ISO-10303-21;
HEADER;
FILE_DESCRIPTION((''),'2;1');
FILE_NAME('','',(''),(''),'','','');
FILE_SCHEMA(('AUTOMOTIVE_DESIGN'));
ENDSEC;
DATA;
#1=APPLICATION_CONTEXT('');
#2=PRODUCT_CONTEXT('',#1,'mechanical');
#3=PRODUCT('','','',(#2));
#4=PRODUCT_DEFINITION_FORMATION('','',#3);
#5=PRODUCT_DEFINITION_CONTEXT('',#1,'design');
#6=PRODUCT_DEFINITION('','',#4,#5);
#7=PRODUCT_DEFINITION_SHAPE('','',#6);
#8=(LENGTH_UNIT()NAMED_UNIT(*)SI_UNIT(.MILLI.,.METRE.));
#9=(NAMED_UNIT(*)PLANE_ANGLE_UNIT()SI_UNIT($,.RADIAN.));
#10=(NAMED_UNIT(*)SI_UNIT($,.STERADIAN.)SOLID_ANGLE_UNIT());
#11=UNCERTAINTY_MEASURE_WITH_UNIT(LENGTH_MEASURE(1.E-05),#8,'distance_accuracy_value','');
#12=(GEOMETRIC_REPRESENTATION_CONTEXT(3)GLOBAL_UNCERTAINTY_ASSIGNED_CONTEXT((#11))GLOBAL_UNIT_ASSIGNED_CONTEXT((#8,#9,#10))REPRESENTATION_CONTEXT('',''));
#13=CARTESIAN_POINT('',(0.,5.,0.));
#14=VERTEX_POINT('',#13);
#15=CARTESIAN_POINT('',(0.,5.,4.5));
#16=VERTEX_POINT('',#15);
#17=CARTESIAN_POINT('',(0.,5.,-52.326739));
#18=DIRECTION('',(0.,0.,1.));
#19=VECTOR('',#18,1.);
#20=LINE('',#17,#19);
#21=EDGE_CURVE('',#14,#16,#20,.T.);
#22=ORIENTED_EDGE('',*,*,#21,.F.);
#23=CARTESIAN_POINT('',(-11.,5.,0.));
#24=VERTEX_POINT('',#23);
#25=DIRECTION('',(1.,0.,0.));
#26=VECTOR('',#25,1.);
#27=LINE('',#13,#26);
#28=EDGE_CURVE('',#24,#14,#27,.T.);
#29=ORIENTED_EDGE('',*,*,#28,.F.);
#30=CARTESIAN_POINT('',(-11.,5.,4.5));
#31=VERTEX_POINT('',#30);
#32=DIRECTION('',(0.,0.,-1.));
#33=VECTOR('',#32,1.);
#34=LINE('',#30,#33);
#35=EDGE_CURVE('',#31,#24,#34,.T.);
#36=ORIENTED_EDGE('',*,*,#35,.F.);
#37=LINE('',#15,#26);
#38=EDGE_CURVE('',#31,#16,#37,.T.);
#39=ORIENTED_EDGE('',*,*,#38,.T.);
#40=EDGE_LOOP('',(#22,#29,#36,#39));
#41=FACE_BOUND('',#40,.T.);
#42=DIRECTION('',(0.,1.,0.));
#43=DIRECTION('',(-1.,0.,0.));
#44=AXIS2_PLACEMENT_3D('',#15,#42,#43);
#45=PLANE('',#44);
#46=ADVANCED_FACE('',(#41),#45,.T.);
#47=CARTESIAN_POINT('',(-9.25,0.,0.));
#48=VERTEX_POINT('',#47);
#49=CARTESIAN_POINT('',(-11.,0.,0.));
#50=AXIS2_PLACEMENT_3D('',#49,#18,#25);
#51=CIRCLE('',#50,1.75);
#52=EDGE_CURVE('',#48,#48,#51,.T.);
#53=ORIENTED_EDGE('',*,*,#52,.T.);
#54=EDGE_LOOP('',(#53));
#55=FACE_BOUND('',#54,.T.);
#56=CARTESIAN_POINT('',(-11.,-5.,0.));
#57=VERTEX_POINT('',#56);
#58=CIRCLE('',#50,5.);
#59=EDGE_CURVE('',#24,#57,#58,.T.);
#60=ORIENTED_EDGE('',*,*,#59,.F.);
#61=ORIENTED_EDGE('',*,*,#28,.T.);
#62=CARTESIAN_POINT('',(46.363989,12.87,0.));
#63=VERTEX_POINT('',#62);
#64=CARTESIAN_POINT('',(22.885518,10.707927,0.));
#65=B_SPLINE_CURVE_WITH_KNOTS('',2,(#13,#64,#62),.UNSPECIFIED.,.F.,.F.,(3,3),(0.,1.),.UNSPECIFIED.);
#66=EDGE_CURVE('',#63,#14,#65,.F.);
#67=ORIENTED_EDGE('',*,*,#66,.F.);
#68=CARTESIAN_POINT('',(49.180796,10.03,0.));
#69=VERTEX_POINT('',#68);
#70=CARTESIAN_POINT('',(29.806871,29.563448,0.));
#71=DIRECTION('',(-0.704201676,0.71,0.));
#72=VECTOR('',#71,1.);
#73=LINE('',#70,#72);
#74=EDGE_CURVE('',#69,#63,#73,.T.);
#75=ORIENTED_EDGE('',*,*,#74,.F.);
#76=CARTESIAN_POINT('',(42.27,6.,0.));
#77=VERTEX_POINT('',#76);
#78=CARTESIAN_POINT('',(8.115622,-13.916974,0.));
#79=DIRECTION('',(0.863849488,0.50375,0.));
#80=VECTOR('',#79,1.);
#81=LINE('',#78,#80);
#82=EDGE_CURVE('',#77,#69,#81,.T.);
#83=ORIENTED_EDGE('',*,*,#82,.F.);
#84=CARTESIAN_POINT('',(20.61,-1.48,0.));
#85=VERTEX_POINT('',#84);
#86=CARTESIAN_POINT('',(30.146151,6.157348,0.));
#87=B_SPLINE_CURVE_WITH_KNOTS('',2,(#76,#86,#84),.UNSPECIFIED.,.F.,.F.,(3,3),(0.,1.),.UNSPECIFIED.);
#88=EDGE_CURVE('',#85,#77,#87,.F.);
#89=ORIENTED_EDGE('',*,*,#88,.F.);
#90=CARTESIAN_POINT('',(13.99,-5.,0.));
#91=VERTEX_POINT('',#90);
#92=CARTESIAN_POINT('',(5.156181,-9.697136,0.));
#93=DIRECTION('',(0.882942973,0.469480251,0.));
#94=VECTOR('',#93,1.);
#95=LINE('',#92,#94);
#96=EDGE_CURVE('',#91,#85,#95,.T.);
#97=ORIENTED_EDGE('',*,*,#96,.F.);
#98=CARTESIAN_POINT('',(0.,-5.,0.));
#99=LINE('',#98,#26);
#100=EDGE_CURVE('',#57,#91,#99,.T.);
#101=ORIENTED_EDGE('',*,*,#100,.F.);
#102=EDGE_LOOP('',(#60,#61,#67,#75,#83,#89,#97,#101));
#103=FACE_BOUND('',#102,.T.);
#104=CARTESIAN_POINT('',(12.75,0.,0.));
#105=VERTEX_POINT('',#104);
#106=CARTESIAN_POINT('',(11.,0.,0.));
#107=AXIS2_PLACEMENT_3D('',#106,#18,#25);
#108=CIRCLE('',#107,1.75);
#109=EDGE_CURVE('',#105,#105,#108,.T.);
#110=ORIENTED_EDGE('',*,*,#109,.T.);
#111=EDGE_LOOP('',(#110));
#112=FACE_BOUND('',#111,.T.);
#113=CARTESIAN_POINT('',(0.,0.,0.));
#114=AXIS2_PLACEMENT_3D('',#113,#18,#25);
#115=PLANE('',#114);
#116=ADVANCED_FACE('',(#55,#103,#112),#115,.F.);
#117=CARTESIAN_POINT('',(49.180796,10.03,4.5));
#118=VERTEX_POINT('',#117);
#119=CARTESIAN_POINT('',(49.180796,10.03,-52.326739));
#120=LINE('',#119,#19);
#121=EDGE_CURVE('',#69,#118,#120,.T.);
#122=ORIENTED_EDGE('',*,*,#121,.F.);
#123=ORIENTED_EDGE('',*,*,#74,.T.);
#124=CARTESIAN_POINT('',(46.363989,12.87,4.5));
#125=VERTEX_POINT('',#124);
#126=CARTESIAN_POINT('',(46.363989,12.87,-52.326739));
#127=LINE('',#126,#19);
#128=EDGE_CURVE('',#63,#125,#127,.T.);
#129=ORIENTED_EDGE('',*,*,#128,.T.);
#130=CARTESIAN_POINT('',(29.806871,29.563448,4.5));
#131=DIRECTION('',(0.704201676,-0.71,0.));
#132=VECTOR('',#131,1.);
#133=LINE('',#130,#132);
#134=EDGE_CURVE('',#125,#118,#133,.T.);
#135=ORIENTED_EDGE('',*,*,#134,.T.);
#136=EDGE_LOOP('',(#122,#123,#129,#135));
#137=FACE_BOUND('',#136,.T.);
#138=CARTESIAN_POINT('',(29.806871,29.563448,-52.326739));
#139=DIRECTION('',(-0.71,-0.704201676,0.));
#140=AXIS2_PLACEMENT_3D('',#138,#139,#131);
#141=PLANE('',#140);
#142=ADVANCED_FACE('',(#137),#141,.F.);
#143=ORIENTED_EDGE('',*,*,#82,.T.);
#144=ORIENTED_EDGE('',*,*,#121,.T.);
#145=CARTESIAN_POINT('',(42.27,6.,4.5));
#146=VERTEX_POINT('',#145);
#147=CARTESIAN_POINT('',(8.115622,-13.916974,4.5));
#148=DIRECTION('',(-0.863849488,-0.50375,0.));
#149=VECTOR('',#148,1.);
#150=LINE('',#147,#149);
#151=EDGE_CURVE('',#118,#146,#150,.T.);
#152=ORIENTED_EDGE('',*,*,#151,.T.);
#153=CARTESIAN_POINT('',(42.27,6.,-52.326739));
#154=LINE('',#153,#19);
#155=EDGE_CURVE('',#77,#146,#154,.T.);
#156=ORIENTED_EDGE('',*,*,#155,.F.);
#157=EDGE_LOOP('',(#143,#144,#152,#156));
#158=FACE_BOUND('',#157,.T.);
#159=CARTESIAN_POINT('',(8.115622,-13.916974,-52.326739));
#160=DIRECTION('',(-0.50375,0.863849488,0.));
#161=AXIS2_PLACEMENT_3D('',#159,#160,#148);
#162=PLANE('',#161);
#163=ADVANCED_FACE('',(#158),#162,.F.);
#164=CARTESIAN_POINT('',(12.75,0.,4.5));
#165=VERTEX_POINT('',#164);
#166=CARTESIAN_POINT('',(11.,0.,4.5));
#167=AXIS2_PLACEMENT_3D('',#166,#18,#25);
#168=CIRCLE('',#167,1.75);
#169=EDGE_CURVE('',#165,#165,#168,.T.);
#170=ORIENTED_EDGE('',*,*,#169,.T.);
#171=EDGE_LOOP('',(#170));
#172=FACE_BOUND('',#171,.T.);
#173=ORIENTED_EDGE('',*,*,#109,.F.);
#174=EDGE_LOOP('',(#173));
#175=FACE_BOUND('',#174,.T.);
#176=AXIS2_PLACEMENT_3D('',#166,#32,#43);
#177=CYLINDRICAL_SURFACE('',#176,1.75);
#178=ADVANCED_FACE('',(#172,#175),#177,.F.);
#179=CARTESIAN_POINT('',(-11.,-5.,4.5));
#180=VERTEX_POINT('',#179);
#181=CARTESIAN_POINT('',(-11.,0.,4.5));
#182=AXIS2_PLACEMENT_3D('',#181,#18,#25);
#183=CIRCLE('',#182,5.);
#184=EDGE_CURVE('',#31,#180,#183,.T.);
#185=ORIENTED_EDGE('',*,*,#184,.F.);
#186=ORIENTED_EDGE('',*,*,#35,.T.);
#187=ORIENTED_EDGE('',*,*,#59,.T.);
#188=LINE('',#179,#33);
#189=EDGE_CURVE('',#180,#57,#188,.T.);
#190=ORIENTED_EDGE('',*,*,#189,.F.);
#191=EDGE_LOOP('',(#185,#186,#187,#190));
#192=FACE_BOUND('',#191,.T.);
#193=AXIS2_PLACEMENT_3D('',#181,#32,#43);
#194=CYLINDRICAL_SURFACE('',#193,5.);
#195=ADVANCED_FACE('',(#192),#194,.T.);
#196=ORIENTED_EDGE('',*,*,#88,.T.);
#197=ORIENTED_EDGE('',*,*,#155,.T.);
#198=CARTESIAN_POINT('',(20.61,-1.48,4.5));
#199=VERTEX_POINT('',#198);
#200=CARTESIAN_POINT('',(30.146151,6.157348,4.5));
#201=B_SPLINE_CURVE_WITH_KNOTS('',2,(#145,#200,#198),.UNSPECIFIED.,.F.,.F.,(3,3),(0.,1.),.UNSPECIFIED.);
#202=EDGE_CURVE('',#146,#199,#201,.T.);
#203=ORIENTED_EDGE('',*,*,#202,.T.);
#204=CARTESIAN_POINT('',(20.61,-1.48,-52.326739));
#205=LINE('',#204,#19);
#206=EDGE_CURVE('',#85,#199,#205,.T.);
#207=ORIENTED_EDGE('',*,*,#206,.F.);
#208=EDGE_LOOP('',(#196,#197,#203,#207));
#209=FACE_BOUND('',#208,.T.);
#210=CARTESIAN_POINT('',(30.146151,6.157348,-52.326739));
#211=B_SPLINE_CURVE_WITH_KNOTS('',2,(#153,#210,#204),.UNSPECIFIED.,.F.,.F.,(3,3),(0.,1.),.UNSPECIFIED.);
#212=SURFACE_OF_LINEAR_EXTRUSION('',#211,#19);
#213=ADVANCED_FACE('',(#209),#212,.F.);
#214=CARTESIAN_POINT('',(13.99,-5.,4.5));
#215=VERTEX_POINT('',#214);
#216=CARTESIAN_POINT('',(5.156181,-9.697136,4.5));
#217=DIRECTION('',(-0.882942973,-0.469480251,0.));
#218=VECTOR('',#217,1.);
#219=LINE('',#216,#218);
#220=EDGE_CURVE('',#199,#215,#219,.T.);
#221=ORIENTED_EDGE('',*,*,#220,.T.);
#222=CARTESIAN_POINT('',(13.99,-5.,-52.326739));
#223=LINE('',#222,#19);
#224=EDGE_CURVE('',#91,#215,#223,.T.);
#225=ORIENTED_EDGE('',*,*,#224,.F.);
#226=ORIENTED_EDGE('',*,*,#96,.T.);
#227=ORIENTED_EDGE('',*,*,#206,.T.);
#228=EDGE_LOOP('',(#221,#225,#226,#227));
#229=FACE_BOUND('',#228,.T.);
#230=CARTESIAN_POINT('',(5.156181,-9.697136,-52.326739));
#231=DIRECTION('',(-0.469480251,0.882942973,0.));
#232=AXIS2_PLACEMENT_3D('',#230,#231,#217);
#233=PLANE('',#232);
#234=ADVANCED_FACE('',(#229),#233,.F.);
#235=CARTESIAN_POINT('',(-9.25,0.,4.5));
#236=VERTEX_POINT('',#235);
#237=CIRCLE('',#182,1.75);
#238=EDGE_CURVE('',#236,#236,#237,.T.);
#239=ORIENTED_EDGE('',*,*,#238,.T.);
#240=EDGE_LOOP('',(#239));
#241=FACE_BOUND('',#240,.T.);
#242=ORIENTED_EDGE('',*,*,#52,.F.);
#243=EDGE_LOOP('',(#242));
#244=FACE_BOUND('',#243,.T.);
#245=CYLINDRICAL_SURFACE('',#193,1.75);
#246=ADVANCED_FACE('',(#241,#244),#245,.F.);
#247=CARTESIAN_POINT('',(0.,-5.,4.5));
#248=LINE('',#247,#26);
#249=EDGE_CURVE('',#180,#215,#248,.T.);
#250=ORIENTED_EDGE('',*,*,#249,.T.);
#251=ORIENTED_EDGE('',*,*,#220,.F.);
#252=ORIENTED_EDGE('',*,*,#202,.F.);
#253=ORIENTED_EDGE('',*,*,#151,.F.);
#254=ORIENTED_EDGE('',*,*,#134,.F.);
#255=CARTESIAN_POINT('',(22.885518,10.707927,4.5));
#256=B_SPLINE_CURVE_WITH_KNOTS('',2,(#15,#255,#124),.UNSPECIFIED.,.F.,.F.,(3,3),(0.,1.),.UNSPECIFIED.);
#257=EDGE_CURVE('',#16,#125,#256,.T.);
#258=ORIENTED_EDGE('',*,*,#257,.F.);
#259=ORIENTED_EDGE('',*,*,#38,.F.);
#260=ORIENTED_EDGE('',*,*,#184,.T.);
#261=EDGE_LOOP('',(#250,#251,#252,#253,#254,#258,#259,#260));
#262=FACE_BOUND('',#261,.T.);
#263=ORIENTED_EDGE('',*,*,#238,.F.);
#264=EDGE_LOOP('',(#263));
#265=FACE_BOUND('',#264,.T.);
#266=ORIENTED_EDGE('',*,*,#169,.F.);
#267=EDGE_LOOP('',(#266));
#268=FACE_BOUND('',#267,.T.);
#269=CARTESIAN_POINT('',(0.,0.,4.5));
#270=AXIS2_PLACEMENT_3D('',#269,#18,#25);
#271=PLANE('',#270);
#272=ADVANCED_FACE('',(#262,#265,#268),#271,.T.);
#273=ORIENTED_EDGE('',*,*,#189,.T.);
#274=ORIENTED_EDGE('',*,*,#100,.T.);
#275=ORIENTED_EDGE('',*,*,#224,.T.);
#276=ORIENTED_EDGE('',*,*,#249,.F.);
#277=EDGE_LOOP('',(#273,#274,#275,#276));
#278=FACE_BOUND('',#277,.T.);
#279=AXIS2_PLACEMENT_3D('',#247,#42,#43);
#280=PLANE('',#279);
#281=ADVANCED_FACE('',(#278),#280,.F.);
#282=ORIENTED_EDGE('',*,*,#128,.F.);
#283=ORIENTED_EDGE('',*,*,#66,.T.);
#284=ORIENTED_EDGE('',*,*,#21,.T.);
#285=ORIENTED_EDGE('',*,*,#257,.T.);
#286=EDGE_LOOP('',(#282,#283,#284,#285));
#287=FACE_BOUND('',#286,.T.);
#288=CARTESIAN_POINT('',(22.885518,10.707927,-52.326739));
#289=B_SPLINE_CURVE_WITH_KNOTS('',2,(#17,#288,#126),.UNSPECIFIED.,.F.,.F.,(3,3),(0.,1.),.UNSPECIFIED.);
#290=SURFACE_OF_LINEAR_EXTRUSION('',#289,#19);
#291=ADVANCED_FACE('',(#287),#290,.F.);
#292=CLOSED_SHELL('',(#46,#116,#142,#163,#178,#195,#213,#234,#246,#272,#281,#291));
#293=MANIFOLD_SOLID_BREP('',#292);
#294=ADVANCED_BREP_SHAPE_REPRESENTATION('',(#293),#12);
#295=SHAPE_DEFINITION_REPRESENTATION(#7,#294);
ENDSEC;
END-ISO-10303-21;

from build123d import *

# Parameters (mm, degrees)
SKETCH1_R           = 5
SKETCH1_R_2         = 1.75
BOSS_EXTRUDE1_DEPTH = 4.5
BOSS_EXTRUDE2_START = -4.5
BOSS_EXTRUDE2_DEPTH = 4.5


with BuildPart() as part:
    # Sketch1 → Boss-Extrude1 (new body)
    # profile 1 of 3: a face of its own
    with BuildSketch(Plane.XY):
        with Locations((-11, 0)):
            Circle(SKETCH1_R)
        with Locations((-11, 0)):
            Circle(SKETCH1_R_2, mode=Mode.SUBTRACT)
    # profile 2 of 3: a face of its own
    with BuildSketch(Plane.XY):
        with BuildLine():
            ThreePointArc((-6, 0), (-7.464466094, -3.535533906), (-11, -5))
            Line((-11, -5), (11, -5))
            ThreePointArc((11, -5), (6, 0), (11, 5))
            Line((11, 5), (-11, 5))
            ThreePointArc((-11, 5), (-7.464466094, 3.535533906), (-6, 0))
        make_face()
    # profile 3 of 3: a face of its own
    with BuildSketch(Plane.XY):
        with Locations((11, 0)):
            Circle(SKETCH1_R)
        with Locations((11, 0)):
            Circle(SKETCH1_R_2, mode=Mode.SUBTRACT)
    extrude(amount=BOSS_EXTRUDE1_DEPTH)

    # Sketch2 → Boss-Extrude2 (add)
    with BuildSketch(Plane.XY.offset(4.5).offset(BOSS_EXTRUDE2_START)):
        with BuildLine():
            Line((49.180795902, 10.03), (46.363989199, 12.87))
            add(Edge.make_bspline(
                [(0, 5), (22.885517501, 10.707926651), (46.363989199, 12.87)],
                knots=[0, 0, 0, 1, 1, 1], degree=2))
            Line((0, 5), (11, 5))
            ThreePointArc((11, 5), (16, 0), (11, -5))
            Line((11, -5), (13.99, -5))
            Line((13.99, -5), (20.61, -1.48))
            add(Edge.make_bspline(
                [(42.27, 6), (30.146150748, 6.157348305), (20.61, -1.48)],
                knots=[0, 0, 0, 1, 1, 1], degree=2))
            Line((42.27, 6), (49.180795902, 10.03))
        make_face()
    extrude(amount=BOSS_EXTRUDE2_DEPTH)


solid = part.part
